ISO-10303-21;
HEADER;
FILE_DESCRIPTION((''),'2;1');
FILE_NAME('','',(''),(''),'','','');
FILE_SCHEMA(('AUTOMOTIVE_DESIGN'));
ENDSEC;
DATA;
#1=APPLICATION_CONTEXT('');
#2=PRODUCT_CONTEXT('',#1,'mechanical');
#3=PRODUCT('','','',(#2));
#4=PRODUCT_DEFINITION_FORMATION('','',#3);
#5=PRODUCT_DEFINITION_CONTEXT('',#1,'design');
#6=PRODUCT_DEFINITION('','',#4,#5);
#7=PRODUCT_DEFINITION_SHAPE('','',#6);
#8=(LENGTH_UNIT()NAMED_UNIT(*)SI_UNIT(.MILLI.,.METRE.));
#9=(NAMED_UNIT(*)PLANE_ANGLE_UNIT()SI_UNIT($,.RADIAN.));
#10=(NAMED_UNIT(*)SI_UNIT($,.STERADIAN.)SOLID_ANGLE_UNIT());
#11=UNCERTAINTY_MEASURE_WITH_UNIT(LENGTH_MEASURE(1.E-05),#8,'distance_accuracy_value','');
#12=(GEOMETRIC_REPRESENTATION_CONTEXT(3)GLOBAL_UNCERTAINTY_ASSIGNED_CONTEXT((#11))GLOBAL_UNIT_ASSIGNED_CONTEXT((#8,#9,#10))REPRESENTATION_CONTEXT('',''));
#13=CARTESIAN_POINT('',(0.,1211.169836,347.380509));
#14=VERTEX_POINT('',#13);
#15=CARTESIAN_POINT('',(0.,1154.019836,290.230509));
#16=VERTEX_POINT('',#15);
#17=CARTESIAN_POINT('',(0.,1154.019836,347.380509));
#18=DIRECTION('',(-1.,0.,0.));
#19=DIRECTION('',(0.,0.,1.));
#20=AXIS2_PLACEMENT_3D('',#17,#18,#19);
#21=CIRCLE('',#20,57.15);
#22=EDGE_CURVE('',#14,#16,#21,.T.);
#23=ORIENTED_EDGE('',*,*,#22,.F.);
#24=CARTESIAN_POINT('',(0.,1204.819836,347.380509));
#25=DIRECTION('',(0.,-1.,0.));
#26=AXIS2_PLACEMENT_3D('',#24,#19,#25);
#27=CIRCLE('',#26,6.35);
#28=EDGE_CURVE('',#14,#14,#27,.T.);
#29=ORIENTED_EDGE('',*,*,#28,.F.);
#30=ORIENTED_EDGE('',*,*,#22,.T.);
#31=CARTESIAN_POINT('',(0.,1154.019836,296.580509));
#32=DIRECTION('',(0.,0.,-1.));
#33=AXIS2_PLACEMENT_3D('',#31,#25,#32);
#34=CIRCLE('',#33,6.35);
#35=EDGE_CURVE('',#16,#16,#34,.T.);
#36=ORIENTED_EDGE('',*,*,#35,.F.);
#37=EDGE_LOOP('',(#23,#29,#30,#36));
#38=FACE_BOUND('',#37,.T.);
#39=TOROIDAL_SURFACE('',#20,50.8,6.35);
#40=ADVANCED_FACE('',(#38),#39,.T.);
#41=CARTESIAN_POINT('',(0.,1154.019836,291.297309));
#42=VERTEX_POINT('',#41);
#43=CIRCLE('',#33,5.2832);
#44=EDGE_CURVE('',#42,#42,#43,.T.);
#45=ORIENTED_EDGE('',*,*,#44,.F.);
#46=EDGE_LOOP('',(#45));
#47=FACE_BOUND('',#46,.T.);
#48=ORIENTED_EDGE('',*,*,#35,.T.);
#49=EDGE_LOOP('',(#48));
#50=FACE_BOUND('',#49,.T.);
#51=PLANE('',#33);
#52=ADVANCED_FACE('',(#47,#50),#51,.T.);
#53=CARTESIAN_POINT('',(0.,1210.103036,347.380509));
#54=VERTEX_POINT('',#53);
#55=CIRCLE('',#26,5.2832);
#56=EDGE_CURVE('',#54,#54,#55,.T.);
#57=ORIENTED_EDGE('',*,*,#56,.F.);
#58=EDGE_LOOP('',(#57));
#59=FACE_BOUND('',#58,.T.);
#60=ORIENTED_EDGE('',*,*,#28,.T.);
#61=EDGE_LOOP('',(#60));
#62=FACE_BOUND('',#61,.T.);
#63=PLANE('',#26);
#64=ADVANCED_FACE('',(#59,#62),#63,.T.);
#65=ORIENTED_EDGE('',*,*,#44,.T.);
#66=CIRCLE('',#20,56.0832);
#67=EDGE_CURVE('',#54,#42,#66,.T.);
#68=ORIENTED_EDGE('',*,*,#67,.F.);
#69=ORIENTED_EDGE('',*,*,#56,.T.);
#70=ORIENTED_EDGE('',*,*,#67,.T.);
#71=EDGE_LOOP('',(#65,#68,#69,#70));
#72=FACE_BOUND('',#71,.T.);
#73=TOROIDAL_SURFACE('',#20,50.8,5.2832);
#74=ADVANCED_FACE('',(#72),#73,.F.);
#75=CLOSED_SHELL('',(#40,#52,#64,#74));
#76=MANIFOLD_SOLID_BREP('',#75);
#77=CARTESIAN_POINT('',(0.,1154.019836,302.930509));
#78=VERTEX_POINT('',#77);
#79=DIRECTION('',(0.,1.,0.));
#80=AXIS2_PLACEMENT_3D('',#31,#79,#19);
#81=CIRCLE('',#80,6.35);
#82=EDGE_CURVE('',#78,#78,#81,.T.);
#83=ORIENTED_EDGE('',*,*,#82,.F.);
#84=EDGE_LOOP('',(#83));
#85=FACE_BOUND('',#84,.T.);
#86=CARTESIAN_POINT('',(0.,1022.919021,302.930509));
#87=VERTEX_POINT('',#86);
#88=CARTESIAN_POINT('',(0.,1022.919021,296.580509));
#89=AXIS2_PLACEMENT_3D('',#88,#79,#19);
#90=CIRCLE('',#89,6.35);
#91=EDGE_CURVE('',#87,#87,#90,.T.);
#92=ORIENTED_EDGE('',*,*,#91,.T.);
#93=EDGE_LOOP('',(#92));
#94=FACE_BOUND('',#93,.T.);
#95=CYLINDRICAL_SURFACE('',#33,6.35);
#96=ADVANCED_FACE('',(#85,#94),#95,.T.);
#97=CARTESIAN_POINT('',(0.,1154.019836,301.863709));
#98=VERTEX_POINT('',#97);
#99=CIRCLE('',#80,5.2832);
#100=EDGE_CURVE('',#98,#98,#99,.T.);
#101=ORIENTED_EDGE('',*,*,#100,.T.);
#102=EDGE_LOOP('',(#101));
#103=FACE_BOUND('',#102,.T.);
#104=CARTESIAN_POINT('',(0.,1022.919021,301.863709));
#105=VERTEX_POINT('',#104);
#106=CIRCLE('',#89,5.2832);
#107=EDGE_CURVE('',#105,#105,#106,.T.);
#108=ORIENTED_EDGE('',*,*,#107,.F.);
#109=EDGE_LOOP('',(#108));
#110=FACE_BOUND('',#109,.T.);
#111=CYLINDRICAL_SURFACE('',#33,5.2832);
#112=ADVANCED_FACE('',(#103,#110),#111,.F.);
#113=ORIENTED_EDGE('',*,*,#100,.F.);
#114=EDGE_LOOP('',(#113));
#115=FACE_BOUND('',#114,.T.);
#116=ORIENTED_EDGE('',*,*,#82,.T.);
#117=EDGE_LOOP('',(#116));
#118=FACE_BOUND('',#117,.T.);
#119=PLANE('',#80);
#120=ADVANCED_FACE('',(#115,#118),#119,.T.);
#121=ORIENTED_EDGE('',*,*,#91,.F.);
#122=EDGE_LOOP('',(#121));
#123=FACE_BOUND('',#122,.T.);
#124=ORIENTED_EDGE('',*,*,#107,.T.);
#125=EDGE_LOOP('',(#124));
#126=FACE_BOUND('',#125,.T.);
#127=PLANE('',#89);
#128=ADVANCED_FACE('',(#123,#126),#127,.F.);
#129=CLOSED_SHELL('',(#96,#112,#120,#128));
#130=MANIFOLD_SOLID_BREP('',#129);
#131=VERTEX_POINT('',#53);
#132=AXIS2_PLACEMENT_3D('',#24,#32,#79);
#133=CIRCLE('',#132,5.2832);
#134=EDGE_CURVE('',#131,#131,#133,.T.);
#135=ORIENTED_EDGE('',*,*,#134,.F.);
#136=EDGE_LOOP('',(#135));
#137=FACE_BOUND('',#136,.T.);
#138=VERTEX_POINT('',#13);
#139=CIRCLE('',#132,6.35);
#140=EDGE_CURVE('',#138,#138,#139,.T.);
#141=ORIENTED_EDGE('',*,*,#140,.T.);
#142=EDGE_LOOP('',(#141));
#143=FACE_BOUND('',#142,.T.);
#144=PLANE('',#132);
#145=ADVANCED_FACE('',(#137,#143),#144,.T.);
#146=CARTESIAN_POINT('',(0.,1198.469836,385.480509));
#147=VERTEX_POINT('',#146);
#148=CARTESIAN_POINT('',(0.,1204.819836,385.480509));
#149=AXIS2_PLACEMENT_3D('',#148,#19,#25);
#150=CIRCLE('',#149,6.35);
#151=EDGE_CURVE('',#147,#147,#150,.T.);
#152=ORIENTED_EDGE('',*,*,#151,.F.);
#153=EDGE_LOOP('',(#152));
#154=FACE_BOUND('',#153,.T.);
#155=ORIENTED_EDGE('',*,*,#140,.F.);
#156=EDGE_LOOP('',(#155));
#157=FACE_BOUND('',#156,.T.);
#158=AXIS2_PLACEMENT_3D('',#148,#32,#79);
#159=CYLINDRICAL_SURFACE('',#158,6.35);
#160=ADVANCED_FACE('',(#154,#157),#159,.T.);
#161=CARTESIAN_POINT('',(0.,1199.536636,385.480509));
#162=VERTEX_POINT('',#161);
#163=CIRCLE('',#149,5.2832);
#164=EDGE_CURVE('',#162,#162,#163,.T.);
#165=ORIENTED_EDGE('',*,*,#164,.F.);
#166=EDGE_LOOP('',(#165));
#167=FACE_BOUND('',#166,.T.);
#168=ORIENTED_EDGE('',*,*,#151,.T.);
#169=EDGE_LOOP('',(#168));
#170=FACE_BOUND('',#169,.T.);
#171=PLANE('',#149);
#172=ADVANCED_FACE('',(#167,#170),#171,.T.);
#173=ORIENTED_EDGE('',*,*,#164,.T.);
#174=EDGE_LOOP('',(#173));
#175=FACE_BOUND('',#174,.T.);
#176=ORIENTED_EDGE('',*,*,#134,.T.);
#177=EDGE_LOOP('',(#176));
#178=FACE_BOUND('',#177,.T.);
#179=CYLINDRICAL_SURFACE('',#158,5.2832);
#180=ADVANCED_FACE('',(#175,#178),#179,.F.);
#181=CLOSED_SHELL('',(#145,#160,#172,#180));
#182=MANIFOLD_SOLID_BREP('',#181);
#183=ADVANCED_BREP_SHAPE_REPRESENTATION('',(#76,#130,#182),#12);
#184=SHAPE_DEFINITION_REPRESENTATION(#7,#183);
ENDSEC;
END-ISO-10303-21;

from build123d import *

# Parameters (mm, degrees)
SKETCH11_R                = 6.35
SKETCH11_R_2              = 5.2832
PIPE_0_5_SCH_40_1_DEPTH   = 131.100814919
SKETCH11_ON_SEGMENT_2_R   = 6.35
SKETCH11_ON_SEGMENT_2_R_2 = 5.2832
PIPE_0_5_SCH_40_1_2_ANGLE = 90
SKETCH11_ON_SEGMENT_3_R   = 6.35
SKETCH11_ON_SEGMENT_3_R_2 = 5.2832
PIPE_0_5_SCH_40_1_3_DEPTH = 38.1


with BuildPart() as part:
    # Sketch11 → Pipe 0.5 SCH 40(1) (new body)
    with BuildSketch(Plane(origin=(0, 1022.919021119, 296.580509383), x_dir=(0, 0, 1), z_dir=(0, 1, 0))):
        Circle(SKETCH11_R)
        Circle(SKETCH11_R_2, mode=Mode.SUBTRACT)
    extrude(amount=PIPE_0_5_SCH_40_1_DEPTH)


with BuildPart() as body_2:
    # Sketch11 on segment 2 (carried to the start of arc 2) → Pipe 0.5 SCH 40_1 2 (revolve)
    with BuildSketch(Plane(origin=(0, 1154.019836038, 296.580509383), x_dir=(0, 0, 1), z_dir=(0, 1, 0))):
        Circle(SKETCH11_ON_SEGMENT_2_R)
        Circle(SKETCH11_ON_SEGMENT_2_R_2, mode=Mode.SUBTRACT)
    revolve(axis=Axis((0, 1154.019836038, 347.380509383), (1, 0, 0)), revolution_arc=PIPE_0_5_SCH_40_1_2_ANGLE)


with BuildPart() as body_3:
    # Sketch11 on segment 3 (carried to segment 3) → Pipe 0.5 SCH 40_1 3 (new body)
    with BuildSketch(Plane(origin=(0, 1204.819836038, 385.480509383), x_dir=(0, 1, 0), z_dir=(0, 0, -1))):
        Circle(SKETCH11_ON_SEGMENT_3_R)
        Circle(SKETCH11_ON_SEGMENT_3_R_2, mode=Mode.SUBTRACT)
    extrude(amount=PIPE_0_5_SCH_40_1_3_DEPTH)


solid = Compound([part.part, body_2.part, body_3.part])
